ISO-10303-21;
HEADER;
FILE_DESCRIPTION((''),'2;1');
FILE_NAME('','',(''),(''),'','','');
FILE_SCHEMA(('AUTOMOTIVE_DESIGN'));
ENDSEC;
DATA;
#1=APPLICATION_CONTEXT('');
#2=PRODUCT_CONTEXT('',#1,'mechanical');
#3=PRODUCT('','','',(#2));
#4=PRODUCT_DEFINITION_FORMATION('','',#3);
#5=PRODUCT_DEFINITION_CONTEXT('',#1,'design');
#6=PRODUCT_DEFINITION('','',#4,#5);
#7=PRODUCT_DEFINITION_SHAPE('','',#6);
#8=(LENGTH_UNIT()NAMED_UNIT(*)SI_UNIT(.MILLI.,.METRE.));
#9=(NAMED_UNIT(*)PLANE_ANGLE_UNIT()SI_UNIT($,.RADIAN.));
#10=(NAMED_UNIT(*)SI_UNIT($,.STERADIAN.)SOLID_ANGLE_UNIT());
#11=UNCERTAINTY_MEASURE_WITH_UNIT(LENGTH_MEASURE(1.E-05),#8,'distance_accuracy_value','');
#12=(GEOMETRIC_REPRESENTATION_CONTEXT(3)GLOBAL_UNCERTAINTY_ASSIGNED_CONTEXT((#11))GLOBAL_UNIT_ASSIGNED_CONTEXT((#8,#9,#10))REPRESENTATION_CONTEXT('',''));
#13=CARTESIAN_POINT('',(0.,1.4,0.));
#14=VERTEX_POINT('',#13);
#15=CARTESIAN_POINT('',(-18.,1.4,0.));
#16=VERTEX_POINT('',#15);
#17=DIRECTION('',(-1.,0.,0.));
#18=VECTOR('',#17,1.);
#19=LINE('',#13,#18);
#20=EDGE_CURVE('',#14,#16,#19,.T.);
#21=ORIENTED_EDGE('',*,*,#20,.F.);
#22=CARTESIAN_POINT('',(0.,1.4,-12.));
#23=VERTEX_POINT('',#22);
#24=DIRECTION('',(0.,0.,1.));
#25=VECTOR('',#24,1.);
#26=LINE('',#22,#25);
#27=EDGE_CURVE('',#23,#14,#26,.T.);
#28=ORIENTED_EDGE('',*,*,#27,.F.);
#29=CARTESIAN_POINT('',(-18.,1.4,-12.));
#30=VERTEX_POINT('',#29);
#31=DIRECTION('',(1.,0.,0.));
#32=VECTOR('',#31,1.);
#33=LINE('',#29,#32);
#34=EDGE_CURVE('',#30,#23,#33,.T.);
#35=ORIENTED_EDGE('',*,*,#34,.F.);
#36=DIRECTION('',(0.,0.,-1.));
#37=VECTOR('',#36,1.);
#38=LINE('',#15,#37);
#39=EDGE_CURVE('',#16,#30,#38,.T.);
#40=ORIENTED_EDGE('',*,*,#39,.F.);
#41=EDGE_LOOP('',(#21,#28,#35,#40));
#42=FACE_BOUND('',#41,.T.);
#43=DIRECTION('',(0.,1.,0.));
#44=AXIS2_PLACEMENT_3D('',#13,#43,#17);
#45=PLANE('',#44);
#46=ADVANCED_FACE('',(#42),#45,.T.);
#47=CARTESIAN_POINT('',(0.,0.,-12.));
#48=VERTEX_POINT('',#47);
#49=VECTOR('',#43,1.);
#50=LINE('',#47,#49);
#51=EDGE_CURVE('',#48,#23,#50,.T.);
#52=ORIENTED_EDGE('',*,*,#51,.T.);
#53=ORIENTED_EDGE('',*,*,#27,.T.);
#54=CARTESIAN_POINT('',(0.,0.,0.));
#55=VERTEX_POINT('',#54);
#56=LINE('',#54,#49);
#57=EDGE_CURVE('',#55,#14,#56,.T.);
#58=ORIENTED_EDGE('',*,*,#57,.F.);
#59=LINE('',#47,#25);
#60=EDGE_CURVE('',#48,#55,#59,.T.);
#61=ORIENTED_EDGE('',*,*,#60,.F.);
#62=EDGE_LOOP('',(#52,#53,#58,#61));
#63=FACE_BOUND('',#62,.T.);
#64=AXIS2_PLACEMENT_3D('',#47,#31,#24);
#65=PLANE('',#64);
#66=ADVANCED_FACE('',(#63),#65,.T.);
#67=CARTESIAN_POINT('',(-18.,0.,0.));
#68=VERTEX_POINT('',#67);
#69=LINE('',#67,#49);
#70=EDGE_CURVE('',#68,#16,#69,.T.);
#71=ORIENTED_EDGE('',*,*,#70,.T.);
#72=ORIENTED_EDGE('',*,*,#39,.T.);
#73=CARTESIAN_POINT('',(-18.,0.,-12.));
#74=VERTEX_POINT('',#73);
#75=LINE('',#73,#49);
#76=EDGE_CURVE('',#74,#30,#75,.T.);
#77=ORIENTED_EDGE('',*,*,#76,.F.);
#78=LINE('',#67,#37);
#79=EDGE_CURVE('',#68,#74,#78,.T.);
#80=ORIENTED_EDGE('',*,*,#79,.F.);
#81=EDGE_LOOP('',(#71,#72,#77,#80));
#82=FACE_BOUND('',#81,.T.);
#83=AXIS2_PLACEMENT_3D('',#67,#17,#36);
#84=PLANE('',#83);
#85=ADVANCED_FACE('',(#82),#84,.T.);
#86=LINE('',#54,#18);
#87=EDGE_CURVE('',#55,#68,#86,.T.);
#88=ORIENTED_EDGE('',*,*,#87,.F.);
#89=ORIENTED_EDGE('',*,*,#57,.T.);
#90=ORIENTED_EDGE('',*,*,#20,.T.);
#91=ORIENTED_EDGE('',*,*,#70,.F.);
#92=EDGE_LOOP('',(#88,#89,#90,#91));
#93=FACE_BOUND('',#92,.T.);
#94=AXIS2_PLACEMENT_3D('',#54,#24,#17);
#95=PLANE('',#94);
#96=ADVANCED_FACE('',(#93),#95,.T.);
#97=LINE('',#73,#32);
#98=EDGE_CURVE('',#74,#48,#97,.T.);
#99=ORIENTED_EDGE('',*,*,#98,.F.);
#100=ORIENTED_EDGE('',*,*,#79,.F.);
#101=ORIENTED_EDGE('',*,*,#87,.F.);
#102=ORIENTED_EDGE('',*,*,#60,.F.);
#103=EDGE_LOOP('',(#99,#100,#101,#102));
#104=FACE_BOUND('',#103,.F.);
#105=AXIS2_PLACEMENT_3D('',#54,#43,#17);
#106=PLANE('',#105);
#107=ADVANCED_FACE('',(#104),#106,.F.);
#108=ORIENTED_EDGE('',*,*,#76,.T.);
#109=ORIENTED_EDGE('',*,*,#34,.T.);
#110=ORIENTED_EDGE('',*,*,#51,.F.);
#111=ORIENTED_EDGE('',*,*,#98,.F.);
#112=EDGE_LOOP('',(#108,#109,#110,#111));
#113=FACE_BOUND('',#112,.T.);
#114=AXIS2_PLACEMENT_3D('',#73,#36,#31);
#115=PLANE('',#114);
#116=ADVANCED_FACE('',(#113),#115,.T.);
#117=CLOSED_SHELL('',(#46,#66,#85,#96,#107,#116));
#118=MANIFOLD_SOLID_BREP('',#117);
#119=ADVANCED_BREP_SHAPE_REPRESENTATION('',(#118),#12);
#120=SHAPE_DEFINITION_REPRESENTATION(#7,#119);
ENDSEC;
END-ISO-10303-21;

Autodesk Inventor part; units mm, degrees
ref_plane "YZ Plane" through (0, 0, 0) normal (1, 0, 0) x (0, 1, 0)
ref_plane "XZ Plane" through (0, 0, 0) normal (0, 1, 0) x (-1, 0, 0)
ref_plane "XY Plane" through (0, 0, 0) normal (0, 0, 1) x (1, 0, 0)
sketch "Sketch1" plane through (0, 0, 0) normal (0, 1, 0) x (-1, 0, 0)
  line L0 (0, 0) -> (18, 0)
  line L1 (18, 0) -> (18, -12)
  line L2 (18, -12) -> (0, -12)
  line L3 (0, -12) -> (0, 0)
  dimension "d0" = 18
  dimension "d1" = 12
extrude "Extrusion1" add sketch "Sketch1" along normal blind 1.4
properties part number "shim_1.5mm"
